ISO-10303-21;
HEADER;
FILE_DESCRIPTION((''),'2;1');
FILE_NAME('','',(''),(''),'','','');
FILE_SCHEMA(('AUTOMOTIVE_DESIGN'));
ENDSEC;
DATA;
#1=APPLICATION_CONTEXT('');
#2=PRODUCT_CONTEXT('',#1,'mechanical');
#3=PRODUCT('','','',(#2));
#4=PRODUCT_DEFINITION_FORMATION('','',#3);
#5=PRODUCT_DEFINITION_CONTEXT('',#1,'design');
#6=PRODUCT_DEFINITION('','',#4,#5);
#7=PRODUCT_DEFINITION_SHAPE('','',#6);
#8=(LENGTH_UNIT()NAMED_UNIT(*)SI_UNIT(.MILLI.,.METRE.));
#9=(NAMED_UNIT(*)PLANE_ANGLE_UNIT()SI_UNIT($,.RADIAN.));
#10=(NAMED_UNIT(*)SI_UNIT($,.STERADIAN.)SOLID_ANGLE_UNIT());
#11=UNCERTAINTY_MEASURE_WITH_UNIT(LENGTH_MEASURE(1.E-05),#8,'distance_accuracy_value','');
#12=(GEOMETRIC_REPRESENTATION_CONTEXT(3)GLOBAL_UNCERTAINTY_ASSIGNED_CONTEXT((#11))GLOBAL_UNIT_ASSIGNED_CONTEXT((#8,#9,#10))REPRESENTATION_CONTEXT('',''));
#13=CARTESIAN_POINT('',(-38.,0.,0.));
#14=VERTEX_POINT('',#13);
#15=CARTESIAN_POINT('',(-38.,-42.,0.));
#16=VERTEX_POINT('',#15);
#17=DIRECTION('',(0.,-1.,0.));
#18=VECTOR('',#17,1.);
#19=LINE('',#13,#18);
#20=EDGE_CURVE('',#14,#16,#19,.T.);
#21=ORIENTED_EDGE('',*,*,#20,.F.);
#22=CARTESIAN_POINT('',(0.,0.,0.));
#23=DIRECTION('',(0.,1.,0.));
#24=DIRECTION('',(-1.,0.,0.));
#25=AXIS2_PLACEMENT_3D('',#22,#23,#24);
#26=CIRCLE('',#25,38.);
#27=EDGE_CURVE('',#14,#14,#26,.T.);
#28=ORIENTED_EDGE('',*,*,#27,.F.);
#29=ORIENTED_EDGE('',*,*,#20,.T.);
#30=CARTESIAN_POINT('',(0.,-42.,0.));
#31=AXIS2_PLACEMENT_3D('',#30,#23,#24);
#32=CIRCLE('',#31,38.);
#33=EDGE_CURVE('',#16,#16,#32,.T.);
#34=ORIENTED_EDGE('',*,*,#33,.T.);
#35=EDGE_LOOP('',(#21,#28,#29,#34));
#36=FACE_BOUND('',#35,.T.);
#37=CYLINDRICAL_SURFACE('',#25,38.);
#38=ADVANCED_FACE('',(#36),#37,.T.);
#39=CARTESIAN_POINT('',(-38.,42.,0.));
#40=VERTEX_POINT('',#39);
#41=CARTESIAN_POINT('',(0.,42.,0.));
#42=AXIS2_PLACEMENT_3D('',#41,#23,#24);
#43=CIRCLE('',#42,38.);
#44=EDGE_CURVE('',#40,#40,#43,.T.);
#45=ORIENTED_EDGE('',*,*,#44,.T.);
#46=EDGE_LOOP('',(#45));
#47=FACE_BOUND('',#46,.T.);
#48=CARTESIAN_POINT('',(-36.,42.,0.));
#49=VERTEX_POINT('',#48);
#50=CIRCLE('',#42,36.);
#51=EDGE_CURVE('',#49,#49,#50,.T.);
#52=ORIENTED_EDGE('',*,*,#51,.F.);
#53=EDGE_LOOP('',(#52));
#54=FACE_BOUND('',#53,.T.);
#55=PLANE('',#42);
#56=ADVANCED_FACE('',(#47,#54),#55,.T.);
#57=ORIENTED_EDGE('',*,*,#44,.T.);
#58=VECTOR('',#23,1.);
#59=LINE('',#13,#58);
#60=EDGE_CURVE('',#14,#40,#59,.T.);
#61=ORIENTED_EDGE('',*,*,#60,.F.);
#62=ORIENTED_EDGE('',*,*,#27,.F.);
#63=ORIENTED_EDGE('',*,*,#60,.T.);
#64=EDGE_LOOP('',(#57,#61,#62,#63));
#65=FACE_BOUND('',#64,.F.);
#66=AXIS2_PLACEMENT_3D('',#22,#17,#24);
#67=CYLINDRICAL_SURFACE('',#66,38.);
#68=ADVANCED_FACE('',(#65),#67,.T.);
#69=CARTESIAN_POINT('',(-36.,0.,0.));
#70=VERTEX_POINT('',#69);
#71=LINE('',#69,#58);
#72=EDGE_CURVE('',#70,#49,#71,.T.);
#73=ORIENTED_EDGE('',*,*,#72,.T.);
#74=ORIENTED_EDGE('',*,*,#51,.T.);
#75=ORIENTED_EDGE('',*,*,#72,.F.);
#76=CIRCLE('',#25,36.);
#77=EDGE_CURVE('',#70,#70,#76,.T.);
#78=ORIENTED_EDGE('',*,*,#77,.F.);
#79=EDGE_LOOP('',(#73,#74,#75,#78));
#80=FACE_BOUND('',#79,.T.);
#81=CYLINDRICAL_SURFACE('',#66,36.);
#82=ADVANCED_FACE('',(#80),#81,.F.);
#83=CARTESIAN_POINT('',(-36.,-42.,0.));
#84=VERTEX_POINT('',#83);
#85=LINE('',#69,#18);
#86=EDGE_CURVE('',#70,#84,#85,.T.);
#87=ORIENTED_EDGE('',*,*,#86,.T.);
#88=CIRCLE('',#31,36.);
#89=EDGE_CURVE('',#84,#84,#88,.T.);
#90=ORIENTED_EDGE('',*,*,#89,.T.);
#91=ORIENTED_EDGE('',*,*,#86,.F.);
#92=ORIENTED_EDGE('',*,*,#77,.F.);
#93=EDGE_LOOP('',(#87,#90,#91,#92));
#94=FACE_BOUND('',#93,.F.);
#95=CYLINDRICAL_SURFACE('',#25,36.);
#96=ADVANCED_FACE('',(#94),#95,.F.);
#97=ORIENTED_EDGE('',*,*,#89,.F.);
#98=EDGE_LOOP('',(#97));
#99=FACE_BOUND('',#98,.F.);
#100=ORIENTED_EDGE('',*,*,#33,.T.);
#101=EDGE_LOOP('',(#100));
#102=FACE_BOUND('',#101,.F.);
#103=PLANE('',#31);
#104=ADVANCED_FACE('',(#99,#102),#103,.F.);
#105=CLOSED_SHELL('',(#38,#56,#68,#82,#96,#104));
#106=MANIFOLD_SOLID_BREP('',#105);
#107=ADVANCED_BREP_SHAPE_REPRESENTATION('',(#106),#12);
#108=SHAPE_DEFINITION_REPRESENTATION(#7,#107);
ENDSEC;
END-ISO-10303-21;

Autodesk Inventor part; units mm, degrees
ref_plane "XZ Plane" through (0, 0, 0) normal (0, 1, 0) x (-1, 0, 0)
sketch "Sketch1" plane through (0, 0, 0) normal (0, 1, 0) x (-1, 0, 0)
  circle A0 centre (0, 0) radius 38
  circle A1 centre (0, 0) radius 36
  dimension "d0" = 76
  dimension "d1" = 2
extrude "Extrusion1" add sketch "Sketch1" along normal mid plane 84
properties part number "Cap conector"
